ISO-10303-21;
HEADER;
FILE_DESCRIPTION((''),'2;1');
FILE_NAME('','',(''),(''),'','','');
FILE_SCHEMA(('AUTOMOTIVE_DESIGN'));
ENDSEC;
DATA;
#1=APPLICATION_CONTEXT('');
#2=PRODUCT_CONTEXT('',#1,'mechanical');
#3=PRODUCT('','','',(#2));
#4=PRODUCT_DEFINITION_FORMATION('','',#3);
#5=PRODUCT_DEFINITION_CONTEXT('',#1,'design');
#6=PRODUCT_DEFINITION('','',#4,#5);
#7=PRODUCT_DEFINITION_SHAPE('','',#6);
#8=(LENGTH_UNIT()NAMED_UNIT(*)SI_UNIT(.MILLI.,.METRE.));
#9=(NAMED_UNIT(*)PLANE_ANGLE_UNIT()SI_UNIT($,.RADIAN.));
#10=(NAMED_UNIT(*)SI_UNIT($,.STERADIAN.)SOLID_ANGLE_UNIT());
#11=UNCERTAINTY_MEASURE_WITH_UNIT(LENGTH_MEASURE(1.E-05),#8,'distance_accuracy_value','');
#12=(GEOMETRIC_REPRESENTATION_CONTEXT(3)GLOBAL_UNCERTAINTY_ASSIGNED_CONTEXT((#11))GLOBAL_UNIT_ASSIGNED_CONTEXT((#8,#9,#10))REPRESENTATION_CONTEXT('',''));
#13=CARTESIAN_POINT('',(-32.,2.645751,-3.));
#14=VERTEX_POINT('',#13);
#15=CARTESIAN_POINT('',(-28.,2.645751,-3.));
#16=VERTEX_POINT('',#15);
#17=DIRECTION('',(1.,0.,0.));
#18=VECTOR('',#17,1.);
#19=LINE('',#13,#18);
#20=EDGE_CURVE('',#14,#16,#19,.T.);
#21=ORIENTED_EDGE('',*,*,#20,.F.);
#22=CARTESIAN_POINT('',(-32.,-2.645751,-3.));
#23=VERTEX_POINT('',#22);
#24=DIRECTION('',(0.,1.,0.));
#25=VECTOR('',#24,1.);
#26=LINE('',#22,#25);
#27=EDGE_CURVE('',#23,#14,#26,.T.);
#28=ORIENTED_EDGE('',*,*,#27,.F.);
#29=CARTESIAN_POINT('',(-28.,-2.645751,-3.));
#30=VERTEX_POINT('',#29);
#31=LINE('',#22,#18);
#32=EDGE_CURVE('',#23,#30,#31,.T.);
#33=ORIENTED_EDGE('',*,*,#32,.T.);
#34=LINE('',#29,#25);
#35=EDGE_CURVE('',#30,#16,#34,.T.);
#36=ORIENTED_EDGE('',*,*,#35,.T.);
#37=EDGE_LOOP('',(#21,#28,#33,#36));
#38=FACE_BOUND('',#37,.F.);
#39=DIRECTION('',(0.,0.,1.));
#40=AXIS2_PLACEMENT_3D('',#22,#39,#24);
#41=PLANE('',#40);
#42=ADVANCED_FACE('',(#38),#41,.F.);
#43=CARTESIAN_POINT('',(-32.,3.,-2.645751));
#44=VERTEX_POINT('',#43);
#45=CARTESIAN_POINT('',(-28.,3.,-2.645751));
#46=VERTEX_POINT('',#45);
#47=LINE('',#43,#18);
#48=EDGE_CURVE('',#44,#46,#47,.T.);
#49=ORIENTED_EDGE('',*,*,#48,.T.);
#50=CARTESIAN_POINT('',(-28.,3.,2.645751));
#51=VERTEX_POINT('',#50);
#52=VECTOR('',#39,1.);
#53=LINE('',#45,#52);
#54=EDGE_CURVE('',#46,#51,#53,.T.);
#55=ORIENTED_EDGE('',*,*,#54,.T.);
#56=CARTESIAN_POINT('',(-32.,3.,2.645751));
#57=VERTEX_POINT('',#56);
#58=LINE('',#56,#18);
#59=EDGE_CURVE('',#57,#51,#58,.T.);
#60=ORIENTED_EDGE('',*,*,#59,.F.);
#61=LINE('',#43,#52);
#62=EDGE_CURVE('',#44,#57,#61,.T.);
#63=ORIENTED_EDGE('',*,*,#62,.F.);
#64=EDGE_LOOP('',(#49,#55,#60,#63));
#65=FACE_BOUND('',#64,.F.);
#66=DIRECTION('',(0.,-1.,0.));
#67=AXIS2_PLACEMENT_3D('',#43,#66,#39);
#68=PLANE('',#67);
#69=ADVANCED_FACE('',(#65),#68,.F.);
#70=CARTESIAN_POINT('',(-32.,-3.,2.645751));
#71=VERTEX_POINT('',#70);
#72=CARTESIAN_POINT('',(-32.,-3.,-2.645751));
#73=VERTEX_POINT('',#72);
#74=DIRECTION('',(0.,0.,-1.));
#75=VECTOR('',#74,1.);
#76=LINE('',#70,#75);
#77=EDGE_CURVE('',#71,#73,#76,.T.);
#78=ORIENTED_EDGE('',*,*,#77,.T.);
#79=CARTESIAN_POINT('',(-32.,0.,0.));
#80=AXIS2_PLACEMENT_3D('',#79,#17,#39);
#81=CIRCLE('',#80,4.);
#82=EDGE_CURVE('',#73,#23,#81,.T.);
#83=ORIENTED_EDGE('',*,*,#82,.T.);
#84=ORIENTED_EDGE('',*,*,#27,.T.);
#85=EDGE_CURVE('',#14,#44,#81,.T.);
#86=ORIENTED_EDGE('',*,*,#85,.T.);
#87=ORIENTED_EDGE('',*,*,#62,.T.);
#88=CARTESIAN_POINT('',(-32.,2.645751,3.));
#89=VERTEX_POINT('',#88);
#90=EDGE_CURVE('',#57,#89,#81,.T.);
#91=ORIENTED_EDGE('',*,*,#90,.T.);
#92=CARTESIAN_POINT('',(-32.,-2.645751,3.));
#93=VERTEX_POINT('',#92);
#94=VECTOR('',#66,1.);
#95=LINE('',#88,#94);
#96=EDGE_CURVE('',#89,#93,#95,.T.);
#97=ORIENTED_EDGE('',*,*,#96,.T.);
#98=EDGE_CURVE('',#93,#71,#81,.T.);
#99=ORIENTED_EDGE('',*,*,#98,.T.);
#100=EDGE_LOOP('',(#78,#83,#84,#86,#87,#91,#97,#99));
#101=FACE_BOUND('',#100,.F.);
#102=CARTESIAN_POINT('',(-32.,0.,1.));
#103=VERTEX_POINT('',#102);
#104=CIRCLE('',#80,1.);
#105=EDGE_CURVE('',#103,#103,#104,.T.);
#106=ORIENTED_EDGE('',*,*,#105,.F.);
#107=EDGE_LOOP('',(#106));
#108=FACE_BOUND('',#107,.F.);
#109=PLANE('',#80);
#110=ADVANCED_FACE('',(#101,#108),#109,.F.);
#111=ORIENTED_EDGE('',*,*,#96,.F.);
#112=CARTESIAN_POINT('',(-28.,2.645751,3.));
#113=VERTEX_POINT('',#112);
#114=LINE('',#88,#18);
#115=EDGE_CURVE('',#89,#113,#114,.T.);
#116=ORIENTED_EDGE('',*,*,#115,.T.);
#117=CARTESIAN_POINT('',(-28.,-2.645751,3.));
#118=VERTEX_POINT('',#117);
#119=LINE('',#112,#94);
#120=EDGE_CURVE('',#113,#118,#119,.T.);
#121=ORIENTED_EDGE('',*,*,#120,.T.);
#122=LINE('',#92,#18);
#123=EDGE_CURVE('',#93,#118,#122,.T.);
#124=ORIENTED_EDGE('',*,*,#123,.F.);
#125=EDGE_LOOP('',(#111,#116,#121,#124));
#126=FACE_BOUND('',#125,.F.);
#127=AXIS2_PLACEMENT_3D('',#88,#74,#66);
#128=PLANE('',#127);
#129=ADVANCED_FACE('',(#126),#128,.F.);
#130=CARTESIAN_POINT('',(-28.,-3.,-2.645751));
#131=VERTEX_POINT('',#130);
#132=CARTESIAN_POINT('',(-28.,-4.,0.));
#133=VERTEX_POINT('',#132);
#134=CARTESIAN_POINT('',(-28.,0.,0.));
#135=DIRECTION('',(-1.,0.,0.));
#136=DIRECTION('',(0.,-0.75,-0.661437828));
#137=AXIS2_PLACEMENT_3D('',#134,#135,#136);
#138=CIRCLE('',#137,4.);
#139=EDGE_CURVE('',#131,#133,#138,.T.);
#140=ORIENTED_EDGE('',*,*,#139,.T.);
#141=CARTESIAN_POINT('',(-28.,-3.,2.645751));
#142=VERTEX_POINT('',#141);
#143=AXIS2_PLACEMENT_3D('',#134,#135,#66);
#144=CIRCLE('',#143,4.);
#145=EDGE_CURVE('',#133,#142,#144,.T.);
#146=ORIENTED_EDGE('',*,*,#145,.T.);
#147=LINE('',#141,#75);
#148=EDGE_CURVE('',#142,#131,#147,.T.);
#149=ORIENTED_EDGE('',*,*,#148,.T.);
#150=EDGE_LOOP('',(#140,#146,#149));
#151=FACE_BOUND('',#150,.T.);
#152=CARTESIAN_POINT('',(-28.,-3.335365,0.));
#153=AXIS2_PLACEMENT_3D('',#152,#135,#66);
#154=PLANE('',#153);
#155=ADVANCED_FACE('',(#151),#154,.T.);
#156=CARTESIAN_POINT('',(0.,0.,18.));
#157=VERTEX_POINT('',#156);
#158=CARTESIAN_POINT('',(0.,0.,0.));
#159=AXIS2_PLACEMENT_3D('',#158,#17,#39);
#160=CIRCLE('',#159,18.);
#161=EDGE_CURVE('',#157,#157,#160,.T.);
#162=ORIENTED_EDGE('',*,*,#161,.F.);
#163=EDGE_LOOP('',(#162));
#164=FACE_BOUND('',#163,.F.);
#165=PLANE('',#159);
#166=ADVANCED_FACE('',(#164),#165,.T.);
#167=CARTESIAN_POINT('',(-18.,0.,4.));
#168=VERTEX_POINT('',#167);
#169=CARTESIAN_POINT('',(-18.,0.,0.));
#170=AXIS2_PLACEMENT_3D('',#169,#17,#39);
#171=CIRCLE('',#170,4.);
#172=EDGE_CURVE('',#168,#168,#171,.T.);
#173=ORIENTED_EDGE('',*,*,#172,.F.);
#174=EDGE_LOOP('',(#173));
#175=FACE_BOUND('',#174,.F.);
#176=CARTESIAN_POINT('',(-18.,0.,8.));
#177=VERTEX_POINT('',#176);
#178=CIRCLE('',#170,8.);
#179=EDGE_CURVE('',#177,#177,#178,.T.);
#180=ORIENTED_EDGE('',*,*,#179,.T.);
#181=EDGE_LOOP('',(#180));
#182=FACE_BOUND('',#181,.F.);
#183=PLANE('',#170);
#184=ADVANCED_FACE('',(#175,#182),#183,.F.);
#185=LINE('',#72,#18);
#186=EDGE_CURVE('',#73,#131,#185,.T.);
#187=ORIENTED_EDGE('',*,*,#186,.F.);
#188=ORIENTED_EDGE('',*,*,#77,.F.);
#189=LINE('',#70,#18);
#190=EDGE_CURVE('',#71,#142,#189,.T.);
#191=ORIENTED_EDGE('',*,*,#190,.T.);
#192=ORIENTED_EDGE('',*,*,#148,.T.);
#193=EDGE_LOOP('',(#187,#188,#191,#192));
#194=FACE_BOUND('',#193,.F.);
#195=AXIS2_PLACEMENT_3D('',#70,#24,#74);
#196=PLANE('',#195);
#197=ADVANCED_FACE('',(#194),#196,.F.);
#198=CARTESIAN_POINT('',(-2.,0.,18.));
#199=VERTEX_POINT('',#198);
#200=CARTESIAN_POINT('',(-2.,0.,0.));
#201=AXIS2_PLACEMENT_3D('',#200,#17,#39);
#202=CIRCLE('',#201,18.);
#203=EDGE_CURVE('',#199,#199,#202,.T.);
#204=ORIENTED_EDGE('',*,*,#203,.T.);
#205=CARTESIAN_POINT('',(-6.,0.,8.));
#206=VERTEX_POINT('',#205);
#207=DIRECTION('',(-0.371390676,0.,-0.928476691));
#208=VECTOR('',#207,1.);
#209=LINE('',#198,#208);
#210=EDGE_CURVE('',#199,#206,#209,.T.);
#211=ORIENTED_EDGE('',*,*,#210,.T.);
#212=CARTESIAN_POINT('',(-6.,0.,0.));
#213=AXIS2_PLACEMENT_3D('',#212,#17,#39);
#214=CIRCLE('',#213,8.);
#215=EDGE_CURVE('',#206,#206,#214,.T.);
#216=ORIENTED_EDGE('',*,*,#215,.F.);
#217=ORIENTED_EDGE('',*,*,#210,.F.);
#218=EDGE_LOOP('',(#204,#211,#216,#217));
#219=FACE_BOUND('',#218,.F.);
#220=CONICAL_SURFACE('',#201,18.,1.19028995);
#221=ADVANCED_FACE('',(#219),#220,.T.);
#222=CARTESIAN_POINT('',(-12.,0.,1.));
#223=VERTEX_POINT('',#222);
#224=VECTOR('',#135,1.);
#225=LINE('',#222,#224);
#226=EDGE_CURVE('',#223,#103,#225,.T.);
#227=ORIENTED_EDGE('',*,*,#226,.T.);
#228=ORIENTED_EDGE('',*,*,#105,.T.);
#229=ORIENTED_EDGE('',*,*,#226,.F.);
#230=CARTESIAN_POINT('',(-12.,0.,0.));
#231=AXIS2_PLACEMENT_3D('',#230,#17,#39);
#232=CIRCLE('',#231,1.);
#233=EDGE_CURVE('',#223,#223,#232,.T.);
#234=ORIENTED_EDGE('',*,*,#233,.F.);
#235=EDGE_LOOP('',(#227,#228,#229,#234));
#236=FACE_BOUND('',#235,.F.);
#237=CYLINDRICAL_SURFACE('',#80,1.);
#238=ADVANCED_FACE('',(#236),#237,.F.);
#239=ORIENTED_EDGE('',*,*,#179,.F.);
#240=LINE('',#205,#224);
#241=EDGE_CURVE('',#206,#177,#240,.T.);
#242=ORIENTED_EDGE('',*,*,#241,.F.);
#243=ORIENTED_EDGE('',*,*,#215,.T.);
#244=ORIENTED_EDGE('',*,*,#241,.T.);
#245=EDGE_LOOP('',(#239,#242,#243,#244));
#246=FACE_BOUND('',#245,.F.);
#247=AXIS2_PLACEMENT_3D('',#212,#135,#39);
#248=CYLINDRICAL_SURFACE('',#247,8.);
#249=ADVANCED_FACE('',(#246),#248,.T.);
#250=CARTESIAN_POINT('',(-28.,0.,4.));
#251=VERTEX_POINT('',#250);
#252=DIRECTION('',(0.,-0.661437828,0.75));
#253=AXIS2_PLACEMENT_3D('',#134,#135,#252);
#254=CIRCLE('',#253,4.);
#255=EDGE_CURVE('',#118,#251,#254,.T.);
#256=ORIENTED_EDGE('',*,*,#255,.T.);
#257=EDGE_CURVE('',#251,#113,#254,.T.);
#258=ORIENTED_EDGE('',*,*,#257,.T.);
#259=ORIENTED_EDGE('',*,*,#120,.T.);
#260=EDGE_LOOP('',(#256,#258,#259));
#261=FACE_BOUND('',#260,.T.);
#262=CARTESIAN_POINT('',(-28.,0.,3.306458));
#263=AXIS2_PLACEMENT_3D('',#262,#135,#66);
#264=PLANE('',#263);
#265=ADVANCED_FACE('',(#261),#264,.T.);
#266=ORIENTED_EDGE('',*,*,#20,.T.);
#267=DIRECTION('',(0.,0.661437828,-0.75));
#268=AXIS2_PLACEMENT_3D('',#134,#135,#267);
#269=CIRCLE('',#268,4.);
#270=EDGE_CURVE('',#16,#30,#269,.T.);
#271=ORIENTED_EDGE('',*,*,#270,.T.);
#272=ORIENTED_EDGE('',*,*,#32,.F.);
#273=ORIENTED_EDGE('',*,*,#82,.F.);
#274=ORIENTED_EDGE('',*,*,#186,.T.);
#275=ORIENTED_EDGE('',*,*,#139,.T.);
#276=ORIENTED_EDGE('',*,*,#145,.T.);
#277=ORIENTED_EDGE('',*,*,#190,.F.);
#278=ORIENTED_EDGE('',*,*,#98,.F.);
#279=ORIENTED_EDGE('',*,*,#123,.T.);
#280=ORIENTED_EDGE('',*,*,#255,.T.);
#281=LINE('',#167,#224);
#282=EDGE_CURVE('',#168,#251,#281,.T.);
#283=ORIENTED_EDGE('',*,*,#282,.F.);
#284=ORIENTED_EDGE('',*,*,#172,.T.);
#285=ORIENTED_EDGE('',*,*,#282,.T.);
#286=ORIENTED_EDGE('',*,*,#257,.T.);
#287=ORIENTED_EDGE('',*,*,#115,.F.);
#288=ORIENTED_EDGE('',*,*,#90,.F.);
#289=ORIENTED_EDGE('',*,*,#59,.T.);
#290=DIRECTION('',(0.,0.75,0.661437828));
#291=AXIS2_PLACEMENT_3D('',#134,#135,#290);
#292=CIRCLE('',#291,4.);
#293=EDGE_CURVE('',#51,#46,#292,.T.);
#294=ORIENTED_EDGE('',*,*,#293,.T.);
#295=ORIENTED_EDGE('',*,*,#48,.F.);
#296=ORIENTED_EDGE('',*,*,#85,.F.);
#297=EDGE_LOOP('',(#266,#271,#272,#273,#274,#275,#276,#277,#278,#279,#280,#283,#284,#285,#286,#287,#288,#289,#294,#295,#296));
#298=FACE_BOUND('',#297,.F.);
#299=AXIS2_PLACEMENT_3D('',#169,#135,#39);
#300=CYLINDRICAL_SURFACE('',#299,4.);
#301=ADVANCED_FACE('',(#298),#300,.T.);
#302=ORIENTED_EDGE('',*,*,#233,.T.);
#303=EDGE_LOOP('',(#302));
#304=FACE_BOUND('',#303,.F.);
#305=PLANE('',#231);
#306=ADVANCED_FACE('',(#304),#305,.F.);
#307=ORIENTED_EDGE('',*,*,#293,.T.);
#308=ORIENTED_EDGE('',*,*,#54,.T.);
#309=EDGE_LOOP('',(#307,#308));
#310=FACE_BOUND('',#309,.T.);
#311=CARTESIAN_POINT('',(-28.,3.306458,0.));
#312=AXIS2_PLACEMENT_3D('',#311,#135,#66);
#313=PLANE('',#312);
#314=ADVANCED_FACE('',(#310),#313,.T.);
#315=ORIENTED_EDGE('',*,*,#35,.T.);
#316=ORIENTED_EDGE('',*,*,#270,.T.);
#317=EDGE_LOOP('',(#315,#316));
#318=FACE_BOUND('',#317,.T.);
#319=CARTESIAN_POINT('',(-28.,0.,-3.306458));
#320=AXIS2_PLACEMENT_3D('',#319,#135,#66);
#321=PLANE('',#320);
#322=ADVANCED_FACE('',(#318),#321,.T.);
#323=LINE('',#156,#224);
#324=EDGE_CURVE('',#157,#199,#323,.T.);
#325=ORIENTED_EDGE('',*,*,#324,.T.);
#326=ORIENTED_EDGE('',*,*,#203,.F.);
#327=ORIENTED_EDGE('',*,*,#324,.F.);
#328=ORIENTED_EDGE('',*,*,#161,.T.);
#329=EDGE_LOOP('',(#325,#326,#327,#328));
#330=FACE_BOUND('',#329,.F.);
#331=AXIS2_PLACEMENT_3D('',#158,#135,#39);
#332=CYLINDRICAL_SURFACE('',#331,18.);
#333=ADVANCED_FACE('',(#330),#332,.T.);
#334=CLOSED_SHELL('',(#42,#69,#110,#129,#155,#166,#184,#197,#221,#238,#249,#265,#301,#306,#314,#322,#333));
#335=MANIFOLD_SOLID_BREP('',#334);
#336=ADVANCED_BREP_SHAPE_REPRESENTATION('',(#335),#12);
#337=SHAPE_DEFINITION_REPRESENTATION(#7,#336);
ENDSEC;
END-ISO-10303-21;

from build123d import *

# Parameters (mm, degrees)
F2_R     = 1
F3_DEPTH = 4


with BuildPart() as f1:
    # F0 (on Front) → F1 (revolve)
    with BuildSketch(Plane.XZ):
        Polygon((-6, 8), (-18, 8), (-18, 4), (-32, 4), (-32, 1), (-12, 1), (-12, 0), (0, 0), (0, 18), (-2, 18), align=None)
    revolve(axis=Axis((0, 0, 0), (1, 0, 0)))

    # F2 (on face) → F3 (cut)
    with BuildSketch(Plane(origin=(-32, 0, 0), x_dir=(0, -1, 0), z_dir=(-1, 0, 0))):
        Circle(F2_R)
        with BuildLine():
            ThreePointArc((2.6457513111, 3), (0, 4), (-2.6457513111, 3))
            Line((-2.6457513111, 3), (2.6457513111, 3))
        make_face()
        with BuildLine():
            ThreePointArc((4, 0), (3.7416573868, 1.4142135624), (3, 2.6457513111))
            Line((3, 2.6457513111), (3, -2.6457513111))
            ThreePointArc((3, -2.6457513111), (3.7416573868, -1.4142135624), (4, 0))
        make_face()
        with BuildLine():
            Line((2.6457513111, -3), (-2.6457513111, -3))
            ThreePointArc((-2.6457513111, -3), (0, -4), (2.6457513111, -3))
        make_face()
        with BuildLine():
            Line((-3, -2.6457513111), (-3, 2.6457513111))
            ThreePointArc((-3, 2.6457513111), (-4, 0), (-3, -2.6457513111))
        make_face()
    extrude(amount=-F3_DEPTH, mode=Mode.SUBTRACT)


solid = f1.part
